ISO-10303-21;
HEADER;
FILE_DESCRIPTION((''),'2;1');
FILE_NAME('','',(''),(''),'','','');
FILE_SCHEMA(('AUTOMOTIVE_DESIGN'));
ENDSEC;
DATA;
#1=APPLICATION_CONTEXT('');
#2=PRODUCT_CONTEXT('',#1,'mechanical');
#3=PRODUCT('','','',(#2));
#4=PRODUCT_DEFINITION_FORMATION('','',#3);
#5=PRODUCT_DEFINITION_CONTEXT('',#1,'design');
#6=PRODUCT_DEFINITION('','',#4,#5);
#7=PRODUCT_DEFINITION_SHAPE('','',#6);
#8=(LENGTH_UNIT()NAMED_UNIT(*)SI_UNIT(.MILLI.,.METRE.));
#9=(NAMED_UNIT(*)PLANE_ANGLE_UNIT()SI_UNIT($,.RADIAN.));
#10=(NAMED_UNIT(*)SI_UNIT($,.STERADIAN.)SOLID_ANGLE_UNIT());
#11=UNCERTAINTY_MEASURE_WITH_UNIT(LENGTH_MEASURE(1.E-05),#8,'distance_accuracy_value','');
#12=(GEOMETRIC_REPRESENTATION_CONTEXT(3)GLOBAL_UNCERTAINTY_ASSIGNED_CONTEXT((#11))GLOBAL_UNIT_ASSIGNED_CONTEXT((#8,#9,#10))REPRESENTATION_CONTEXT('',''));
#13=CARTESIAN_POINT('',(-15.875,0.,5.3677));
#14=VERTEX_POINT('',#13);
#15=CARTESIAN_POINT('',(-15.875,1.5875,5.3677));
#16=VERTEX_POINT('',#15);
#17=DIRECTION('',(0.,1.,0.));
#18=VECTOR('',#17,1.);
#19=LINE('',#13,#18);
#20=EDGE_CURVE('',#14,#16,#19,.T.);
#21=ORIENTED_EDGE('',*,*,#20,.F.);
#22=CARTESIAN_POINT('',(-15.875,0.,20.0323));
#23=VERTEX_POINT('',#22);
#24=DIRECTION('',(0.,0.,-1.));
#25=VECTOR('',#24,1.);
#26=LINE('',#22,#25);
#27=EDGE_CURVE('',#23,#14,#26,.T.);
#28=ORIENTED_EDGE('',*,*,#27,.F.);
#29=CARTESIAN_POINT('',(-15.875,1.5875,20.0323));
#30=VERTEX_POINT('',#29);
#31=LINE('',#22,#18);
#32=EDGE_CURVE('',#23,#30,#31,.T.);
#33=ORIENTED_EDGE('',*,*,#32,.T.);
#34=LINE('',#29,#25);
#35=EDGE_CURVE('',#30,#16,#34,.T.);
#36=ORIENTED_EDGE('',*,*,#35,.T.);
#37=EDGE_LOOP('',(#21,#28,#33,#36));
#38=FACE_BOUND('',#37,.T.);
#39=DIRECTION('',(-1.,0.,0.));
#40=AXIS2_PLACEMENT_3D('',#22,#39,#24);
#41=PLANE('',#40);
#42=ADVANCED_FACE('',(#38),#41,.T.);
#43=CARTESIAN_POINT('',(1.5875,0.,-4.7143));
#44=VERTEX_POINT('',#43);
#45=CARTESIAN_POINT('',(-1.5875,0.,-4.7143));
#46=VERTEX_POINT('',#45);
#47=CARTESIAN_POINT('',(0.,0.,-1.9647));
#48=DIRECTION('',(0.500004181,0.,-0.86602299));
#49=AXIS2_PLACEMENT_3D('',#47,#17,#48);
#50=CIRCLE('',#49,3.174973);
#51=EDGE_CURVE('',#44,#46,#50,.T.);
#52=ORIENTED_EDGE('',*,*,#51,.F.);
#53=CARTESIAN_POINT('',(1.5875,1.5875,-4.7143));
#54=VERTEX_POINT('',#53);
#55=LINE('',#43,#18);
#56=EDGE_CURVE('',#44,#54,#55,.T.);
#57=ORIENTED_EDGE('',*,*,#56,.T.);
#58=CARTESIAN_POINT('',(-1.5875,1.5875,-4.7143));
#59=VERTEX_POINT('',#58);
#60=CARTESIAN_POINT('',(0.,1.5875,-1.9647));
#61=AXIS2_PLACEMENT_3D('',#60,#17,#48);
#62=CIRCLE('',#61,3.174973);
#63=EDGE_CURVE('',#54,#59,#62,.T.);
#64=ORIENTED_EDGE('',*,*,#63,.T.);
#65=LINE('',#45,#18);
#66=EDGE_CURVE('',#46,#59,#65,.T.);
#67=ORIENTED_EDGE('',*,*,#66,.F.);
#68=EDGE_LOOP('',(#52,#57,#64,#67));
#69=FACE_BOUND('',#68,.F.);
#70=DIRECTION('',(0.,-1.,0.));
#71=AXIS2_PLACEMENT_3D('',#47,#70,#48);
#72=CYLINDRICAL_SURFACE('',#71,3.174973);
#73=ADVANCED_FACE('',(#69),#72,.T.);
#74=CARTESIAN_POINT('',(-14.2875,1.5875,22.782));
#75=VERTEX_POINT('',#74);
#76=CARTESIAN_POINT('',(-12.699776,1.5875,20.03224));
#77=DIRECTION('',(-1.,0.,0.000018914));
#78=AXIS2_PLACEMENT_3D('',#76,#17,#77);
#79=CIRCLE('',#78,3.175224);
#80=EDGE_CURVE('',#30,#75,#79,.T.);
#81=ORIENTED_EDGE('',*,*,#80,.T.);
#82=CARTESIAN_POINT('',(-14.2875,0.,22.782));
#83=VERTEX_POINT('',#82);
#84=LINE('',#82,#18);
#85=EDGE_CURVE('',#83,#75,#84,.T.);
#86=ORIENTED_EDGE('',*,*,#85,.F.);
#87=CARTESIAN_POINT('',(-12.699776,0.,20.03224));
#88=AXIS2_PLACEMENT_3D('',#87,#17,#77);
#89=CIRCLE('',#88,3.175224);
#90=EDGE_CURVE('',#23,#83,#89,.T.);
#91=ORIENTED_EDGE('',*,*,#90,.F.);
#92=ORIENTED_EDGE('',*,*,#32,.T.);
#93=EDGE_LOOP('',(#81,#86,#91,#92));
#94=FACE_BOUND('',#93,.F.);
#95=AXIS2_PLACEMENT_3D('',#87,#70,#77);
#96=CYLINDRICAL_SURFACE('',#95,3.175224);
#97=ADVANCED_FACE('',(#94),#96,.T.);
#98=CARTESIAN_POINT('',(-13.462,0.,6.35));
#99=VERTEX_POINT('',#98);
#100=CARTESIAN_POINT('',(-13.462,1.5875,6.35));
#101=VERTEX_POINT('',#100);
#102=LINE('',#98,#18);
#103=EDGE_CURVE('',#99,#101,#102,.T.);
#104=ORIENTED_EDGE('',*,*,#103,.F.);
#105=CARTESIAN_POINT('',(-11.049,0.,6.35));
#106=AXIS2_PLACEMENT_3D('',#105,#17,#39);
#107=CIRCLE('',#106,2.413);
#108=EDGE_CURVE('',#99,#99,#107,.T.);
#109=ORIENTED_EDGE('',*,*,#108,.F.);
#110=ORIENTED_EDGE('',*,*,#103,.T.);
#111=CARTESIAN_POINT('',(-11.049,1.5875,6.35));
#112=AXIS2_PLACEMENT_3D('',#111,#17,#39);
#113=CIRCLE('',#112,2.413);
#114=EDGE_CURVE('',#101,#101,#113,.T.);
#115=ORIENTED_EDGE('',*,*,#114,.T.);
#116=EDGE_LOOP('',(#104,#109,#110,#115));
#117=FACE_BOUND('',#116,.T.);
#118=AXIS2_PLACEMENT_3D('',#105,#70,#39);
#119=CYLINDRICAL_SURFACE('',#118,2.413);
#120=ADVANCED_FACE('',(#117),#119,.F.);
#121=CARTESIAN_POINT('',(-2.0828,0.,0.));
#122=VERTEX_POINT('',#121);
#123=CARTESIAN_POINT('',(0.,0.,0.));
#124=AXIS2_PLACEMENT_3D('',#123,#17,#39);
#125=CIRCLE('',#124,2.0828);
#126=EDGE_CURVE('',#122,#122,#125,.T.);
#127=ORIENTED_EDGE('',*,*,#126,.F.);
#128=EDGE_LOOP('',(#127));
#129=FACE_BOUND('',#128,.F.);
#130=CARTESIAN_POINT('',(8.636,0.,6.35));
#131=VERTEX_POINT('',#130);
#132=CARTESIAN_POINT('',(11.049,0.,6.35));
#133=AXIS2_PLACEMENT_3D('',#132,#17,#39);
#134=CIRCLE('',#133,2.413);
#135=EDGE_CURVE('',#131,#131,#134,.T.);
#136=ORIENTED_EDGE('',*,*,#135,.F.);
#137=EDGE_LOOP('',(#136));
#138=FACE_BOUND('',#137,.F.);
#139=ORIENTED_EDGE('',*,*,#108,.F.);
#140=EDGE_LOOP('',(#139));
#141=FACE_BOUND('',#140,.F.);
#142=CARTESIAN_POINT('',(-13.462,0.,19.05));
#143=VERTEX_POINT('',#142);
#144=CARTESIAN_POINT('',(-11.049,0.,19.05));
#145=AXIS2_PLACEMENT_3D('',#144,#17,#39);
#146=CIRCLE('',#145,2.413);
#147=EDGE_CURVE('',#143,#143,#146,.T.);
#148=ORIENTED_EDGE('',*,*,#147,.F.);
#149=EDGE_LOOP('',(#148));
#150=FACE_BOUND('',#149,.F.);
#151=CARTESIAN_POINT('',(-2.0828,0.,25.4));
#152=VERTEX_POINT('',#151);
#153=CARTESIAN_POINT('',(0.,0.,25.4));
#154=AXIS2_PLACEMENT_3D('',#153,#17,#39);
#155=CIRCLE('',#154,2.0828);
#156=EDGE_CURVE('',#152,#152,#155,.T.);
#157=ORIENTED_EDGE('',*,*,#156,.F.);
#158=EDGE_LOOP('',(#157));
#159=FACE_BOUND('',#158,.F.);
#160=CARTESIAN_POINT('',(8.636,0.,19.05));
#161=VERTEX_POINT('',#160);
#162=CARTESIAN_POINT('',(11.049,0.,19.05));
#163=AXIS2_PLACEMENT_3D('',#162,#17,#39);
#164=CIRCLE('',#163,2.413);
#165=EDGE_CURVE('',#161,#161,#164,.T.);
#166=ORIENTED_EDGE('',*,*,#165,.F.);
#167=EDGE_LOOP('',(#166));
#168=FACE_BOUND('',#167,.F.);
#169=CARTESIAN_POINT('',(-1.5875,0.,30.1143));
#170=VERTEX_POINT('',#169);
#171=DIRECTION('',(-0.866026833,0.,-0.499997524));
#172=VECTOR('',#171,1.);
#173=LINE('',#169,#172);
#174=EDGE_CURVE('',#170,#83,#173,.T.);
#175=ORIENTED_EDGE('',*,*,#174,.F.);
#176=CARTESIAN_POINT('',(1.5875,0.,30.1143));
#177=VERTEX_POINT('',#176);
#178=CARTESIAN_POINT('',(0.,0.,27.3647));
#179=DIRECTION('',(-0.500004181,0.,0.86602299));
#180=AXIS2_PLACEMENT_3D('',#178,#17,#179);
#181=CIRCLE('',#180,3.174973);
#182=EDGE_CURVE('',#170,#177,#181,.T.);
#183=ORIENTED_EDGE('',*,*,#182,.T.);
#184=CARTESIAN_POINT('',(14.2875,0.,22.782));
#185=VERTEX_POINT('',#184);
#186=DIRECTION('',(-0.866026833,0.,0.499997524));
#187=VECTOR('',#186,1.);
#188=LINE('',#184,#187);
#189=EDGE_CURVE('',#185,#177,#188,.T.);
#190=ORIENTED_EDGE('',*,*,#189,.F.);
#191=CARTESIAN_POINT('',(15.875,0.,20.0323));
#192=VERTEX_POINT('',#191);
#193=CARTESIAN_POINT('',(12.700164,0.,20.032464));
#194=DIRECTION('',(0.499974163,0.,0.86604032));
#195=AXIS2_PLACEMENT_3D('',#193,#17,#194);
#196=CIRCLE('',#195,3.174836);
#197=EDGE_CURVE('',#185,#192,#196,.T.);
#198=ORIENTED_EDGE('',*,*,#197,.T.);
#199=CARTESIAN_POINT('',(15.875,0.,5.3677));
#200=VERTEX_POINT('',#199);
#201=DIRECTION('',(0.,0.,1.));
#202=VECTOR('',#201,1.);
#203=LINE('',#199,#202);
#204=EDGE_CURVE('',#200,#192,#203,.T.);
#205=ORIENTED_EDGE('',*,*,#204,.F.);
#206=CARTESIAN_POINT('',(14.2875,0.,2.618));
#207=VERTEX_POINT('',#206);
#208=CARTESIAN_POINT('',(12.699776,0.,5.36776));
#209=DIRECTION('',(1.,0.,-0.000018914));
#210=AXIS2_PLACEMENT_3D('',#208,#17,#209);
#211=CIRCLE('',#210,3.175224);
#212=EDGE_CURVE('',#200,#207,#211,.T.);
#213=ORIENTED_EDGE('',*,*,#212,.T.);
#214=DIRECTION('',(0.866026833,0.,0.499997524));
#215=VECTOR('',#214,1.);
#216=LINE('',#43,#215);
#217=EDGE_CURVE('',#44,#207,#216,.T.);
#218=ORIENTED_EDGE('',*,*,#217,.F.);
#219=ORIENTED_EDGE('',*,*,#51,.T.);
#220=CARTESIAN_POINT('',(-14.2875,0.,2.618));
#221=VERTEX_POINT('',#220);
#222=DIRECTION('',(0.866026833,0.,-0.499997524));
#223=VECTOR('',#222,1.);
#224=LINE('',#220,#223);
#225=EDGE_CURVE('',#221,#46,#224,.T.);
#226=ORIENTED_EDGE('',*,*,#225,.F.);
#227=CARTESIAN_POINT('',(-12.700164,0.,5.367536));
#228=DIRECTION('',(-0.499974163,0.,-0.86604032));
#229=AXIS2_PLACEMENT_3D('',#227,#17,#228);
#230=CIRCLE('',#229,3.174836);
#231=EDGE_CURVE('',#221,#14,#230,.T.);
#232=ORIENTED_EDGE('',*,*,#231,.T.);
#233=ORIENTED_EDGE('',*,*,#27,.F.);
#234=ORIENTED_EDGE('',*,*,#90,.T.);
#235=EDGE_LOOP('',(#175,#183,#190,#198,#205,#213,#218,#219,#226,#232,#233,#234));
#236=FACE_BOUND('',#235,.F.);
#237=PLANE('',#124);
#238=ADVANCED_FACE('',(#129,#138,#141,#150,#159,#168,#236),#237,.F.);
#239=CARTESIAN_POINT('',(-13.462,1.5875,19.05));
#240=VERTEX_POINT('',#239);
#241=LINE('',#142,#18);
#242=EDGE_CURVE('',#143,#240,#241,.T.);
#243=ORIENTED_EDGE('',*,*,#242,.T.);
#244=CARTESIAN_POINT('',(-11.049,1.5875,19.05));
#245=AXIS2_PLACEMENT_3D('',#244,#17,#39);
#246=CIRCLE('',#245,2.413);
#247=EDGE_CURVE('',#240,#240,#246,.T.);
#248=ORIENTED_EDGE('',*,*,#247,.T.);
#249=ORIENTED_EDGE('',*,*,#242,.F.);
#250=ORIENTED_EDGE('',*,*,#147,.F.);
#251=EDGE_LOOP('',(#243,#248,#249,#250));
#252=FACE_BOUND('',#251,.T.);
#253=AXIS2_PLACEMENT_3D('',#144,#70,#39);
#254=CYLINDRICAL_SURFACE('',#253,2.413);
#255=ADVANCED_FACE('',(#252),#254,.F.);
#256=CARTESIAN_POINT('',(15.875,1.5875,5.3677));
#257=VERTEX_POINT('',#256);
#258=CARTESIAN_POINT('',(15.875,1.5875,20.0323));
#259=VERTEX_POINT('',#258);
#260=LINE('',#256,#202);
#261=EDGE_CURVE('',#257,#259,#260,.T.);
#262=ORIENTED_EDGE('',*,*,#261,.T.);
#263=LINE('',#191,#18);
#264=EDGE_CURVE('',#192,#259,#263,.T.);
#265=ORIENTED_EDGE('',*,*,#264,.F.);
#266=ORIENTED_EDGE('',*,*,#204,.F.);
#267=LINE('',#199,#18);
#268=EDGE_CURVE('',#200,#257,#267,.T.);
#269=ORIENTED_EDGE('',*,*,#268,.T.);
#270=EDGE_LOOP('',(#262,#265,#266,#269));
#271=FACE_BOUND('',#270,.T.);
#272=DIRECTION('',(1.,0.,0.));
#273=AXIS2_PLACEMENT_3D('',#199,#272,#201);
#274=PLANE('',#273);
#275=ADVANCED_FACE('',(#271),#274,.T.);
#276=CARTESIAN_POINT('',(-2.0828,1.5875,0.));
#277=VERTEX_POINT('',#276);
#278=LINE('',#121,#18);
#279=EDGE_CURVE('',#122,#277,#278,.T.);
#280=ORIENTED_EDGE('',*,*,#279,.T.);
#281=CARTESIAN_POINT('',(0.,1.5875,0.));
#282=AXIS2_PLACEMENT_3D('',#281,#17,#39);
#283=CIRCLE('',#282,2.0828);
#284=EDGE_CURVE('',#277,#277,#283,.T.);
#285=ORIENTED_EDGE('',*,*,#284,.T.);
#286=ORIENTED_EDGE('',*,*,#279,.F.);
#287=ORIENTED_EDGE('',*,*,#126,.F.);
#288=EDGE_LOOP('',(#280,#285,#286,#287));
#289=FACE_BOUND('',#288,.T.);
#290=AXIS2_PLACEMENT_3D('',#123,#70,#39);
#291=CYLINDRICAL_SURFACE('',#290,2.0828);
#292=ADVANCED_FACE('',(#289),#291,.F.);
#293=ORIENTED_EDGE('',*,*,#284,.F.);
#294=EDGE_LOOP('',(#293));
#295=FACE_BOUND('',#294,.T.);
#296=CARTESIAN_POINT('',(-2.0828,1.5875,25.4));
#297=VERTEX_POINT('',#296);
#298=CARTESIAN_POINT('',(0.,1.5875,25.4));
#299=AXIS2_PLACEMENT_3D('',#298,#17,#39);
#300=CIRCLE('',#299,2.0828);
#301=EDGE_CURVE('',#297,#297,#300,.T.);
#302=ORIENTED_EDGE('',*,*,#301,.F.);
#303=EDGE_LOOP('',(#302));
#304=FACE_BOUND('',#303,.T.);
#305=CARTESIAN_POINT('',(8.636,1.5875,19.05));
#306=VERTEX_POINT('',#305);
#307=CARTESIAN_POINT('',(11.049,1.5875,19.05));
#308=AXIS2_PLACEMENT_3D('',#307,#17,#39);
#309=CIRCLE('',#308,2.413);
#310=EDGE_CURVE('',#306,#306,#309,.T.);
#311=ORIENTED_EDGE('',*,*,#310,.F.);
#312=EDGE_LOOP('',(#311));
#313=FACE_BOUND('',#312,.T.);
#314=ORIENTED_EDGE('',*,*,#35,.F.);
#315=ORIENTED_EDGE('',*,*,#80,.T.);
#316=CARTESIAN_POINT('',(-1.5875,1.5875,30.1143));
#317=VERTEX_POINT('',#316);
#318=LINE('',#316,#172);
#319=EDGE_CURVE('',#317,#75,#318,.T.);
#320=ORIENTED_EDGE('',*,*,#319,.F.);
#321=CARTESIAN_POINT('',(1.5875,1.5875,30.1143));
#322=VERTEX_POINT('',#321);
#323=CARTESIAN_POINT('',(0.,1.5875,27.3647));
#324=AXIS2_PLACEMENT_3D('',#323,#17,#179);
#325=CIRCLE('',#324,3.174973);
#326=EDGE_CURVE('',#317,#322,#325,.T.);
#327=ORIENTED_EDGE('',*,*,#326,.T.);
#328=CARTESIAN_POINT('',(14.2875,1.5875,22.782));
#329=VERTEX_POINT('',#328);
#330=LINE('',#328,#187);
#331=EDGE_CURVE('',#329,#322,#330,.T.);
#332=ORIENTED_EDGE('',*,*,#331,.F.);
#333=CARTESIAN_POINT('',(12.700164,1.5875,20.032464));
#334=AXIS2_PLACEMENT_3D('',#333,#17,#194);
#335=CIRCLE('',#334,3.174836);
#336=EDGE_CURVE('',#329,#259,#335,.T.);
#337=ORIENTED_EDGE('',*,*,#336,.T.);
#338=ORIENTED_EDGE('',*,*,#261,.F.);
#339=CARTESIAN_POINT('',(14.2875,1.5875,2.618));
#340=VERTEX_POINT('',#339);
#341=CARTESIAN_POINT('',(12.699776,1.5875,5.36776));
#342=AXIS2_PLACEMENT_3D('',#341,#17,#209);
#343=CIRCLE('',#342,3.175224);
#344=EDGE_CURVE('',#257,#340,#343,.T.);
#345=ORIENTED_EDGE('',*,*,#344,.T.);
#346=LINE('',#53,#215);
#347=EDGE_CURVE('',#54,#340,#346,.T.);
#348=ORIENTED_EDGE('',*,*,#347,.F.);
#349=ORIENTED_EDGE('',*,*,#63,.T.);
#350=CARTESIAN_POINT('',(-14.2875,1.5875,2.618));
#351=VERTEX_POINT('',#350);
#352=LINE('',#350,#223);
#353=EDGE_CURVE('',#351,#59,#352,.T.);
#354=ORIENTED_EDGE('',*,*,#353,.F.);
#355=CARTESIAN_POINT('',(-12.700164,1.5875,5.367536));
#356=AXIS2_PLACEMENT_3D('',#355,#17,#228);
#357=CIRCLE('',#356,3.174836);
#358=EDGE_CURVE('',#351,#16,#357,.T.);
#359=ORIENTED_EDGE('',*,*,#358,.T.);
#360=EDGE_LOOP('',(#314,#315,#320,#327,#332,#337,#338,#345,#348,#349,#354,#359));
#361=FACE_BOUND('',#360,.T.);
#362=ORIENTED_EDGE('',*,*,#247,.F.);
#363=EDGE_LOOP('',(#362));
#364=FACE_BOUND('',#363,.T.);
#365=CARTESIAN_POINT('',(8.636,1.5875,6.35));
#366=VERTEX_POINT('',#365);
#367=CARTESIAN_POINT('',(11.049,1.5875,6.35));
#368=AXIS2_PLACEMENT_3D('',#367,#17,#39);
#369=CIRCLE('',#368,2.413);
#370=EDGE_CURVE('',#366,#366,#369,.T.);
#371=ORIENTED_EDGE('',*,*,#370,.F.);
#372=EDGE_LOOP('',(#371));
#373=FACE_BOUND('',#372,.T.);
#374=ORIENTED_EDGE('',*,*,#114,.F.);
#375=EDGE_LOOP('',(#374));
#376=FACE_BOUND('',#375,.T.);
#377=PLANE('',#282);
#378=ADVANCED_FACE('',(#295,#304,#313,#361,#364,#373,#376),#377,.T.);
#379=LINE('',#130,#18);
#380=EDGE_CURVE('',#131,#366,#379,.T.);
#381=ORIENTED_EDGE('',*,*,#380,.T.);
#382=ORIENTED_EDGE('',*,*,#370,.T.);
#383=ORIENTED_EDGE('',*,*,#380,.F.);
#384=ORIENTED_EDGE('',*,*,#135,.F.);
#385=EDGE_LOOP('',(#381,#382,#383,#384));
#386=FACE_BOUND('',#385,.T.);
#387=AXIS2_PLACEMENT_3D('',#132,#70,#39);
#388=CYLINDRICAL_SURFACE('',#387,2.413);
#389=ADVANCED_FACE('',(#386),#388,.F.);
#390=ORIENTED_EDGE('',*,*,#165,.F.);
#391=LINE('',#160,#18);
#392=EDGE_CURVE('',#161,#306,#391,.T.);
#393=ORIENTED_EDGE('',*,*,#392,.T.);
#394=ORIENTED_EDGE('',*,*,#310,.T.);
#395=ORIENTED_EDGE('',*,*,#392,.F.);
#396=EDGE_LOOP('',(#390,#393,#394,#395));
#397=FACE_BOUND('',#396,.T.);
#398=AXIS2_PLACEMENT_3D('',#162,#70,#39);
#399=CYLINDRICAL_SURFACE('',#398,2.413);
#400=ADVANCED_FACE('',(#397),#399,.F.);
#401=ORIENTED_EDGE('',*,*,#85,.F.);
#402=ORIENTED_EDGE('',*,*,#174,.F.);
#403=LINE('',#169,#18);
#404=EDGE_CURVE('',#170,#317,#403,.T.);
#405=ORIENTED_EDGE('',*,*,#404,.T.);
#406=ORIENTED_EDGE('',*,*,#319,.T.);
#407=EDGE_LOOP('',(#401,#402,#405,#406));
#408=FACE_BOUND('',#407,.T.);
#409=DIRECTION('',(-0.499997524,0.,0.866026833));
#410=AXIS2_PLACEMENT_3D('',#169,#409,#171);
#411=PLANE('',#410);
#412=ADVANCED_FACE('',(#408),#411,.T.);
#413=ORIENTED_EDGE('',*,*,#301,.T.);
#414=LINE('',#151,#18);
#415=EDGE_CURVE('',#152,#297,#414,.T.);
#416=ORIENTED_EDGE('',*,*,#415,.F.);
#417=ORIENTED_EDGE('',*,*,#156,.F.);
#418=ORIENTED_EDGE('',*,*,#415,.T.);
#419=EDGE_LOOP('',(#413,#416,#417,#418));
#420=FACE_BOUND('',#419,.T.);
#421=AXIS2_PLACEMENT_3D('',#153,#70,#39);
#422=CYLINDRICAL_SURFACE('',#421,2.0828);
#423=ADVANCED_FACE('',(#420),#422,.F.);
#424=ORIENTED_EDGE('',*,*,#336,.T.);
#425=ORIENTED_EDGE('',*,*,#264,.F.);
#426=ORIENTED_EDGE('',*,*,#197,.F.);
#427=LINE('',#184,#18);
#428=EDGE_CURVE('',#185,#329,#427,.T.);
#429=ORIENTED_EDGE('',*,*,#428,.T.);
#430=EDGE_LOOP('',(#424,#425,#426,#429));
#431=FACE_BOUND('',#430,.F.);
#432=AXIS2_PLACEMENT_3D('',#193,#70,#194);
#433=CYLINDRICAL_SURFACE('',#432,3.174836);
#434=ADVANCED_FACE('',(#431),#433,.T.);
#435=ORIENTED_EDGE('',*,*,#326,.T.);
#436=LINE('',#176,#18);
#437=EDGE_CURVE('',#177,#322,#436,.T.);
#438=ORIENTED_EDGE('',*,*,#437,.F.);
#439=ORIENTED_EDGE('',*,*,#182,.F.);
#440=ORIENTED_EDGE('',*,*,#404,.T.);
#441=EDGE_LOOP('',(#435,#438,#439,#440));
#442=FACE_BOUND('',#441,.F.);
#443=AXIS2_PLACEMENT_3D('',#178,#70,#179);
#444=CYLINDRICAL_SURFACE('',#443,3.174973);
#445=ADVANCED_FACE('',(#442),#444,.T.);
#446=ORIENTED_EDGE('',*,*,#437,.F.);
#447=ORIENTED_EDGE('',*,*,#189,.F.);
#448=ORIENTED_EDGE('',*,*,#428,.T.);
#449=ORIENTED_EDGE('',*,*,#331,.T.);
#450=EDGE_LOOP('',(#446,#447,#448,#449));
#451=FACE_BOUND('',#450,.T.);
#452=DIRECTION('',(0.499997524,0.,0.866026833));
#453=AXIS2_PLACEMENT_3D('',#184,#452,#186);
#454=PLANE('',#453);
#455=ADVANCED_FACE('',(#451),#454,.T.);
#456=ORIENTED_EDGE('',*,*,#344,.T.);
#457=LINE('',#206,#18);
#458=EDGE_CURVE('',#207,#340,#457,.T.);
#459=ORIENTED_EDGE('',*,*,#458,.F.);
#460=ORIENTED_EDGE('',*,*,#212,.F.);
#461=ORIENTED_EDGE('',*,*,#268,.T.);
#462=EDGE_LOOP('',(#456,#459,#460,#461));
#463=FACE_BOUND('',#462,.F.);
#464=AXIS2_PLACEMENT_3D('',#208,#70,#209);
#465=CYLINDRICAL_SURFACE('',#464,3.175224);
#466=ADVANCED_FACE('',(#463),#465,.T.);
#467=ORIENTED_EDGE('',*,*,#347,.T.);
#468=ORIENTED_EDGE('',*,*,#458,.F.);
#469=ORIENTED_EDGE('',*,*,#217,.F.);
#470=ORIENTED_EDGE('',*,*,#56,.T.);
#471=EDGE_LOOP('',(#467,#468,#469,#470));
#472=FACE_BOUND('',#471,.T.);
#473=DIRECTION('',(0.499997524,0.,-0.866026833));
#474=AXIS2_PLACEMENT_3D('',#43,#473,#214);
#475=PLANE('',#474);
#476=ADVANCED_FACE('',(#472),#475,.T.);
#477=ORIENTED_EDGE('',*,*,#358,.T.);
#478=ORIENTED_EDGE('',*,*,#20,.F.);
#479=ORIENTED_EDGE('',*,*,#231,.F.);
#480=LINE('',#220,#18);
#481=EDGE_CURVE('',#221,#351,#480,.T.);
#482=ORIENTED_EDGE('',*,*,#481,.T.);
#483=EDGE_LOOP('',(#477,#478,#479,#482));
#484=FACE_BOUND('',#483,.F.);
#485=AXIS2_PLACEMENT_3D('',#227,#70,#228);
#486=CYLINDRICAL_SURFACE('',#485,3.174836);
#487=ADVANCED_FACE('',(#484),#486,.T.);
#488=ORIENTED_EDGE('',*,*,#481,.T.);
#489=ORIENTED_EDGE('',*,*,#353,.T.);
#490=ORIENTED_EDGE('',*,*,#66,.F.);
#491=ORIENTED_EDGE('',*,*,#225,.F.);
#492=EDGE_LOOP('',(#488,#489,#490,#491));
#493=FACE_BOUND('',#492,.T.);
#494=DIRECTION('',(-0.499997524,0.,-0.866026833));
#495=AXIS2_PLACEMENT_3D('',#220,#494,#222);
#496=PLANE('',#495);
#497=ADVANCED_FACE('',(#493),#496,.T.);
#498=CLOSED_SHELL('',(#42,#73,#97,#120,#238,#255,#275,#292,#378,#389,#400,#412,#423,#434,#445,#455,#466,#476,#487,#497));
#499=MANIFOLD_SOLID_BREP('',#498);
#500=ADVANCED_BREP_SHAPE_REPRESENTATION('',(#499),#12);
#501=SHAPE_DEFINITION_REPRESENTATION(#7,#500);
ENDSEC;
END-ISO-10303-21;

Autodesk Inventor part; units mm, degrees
ref_plane "YZ Plane" through (0, 0, 0) normal (1, 0, 0) x (0, 1, 0)
ref_plane "XZ Plane" through (0, 0, 0) normal (0, 1, 0) x (-1, 0, 0)
ref_plane "XY Plane" through (0, 0, 0) normal (0, 0, 1) x (1, 0, 0)
sketch "Sketch1" plane through (0, 0, 0) normal (0, 1, 0) x (-1, 0, 0)
  circle A0 centre (0, 0) radius 2.0828
  circle A1 centre (0, 25.4) radius 2.0828
  line L0 (0, 25.4) -> (0, 0) construction
  circle A2 centre (11.049, 19.05) radius 2.413
  circle A3 centre (11.049, 6.35) radius 2.413
  circle A4 centre (-11.049, 6.35) radius 2.413
  circle A5 centre (-11.049, 19.05) radius 2.413
  line L1 (-11.049, 6.35) -> (-11.049, 19.05) construction
  line L2 (-11.049, 19.05) -> (11.049, 19.05) construction
  line L3 (1.5875, 30.1143) -> (14.2875, 22.782)
  line L4 (15.875, 20.0323) -> (15.875, 5.3677)
  line L5 (14.2875, 2.618) -> (1.5875, -4.7143)
  line L6 (-1.5875, -4.7143) -> (-14.2875, 2.618)
  line L7 (-15.875, 5.3677) -> (-15.875, 20.0323)
  line L8 (-14.2875, 22.782) -> (-1.5875, 30.1143)
  arc A6 (1.5875, 30.1143) -> (-1.5875, 30.1143) centre (0, 27.3647) ccw
  arc A7 (-14.2875, 22.782) -> (-15.875, 20.0323) centre (-12.7, 20.0323) ccw
  arc A8 (-15.875, 5.3677) -> (-14.2875, 2.618) centre (-12.7, 5.3677) ccw
  arc A9 (-1.5875, -4.7143) -> (1.5875, -4.7143) centre (0, -1.9647) ccw
  arc A10 (14.2875, 2.618) -> (15.875, 5.3677) centre (12.7, 5.3677) ccw
  arc A11 (15.875, 20.0323) -> (14.2875, 22.782) centre (12.7, 20.0323) ccw
  point P0 (0, 12.7)
  point P1 (0, 31.0309)
  point P2 (15.875, 21.8654)
  point P3 (15.875, 3.5346)
  point P4 (0, -5.6309)
  point P5 (-15.875, 3.5346)
  point P6 (-15.875, 21.8654)
  dimension "d0" = 4.1656
  dimension "d1" = 4.1656
  dimension "d2" = 25.4
  dimension "d3" = 4.826
  dimension "d4" = 4.826
  dimension "d5" = 12.7
  dimension "d6" = 11.049
  dimension "d7" = 11.049
  dimension "d8" = 6.35
  dimension "d9" = 4.826
  dimension "d10" = 4.826
  dimension "d11" = 11.049
  dimension "d12" = 12.7
  dimension "d13" = 31.75
  dimension "d14" = 3.175
extrude "Extrusion1" add sketch "Sketch1" along normal blind 1.5875
properties part number "Spacer2" material "Aluminum 6061"
